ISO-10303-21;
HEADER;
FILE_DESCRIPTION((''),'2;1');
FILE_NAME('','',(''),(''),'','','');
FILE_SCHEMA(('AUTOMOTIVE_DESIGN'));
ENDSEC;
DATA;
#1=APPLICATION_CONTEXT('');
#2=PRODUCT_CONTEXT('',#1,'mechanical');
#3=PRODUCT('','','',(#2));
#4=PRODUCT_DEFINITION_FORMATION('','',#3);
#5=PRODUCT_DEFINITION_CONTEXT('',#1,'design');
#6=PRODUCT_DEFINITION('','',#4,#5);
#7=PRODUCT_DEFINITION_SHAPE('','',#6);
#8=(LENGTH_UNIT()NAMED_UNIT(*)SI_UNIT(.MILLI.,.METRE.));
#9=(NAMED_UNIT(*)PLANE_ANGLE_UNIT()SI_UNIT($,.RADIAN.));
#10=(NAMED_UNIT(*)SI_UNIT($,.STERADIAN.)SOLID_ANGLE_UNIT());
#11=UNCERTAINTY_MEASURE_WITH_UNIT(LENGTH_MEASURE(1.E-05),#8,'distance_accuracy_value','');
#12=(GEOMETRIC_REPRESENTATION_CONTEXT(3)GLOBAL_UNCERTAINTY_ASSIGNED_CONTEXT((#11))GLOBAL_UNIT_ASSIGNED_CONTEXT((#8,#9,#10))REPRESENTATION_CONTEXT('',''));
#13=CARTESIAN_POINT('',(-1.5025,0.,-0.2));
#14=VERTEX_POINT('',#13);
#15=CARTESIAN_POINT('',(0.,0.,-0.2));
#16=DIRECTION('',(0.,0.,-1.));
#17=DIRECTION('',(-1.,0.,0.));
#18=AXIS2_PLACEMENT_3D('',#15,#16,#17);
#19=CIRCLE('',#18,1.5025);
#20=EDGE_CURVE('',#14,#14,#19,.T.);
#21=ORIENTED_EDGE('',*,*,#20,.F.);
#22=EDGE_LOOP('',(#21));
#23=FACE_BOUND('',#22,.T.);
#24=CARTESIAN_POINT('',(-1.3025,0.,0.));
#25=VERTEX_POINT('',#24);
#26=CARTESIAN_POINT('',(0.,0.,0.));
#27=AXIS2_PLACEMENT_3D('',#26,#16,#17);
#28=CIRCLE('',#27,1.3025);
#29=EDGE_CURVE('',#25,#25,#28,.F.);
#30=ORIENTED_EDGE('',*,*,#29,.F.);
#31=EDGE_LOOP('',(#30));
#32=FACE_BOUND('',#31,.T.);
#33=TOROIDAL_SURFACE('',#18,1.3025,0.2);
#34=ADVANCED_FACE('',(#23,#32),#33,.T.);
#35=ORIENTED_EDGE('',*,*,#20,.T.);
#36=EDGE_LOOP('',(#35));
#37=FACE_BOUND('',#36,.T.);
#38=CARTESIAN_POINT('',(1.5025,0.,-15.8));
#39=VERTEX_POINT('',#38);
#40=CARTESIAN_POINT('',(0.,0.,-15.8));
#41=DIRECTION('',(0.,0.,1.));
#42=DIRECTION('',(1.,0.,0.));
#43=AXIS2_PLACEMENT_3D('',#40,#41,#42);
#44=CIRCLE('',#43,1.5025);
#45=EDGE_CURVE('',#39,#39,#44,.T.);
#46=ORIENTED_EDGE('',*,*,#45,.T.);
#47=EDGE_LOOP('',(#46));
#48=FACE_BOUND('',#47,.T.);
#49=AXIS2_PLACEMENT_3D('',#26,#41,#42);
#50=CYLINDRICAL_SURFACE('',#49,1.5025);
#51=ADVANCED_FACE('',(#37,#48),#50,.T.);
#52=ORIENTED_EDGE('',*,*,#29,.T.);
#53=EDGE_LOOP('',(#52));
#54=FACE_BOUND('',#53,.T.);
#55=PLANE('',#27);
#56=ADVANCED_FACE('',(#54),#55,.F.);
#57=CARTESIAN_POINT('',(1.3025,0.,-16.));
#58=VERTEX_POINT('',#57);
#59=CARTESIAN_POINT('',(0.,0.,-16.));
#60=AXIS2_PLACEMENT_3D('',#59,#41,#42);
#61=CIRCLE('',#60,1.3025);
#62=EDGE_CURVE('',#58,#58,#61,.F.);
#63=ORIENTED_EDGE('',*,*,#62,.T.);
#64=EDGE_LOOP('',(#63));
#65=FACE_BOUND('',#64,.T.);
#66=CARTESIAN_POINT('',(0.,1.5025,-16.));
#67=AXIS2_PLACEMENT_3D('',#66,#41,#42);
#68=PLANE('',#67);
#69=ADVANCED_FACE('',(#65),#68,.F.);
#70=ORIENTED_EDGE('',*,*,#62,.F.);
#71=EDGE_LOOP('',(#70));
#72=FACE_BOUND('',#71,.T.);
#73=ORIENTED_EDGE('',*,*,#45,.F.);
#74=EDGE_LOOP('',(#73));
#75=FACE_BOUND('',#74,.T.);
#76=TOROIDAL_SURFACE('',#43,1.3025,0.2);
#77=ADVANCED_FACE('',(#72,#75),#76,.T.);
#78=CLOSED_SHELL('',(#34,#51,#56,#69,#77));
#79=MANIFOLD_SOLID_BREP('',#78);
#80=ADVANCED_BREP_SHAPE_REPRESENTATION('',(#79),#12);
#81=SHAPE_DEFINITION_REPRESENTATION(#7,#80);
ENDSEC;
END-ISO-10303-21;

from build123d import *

# Parameters (mm, degrees)
ESQUISSE1_W = 16
ESQUISSE1_H = 1.5025
CONG_1_R    = 0.2
CONG_2_R    = 0.2


with BuildPart() as part:
    # Esquisse1 → Révolution1 (revolve)
    with BuildSketch(Plane(origin=(0, 0, 0), x_dir=(0, 0, -1), z_dir=(1, 0, 0)), mode=Mode.PRIVATE) as r_volution1_sk:
        with Locations((8, 0.75125)):
            Rectangle(ESQUISSE1_W, ESQUISSE1_H)
    revolve(r_volution1_sk.sketch.rotate(Axis((0, 0, 0), (0, 0, -1)), 90), axis=Axis((0, 0, 0), (0, 0, -1)))

    # Congé1
    cong_1_edges = [part.edges().sort_by_distance(p)[0] for p in [
        (-1.5025, 0, -16),
    ]]
    fillet(cong_1_edges, radius=CONG_1_R)

    # Congé2
    cong_2_edges = [part.edges().sort_by_distance(p)[0] for p in [
        (-1.5025, 0, 0),
    ]]
    fillet(cong_2_edges, radius=CONG_2_R)


solid = part.part
